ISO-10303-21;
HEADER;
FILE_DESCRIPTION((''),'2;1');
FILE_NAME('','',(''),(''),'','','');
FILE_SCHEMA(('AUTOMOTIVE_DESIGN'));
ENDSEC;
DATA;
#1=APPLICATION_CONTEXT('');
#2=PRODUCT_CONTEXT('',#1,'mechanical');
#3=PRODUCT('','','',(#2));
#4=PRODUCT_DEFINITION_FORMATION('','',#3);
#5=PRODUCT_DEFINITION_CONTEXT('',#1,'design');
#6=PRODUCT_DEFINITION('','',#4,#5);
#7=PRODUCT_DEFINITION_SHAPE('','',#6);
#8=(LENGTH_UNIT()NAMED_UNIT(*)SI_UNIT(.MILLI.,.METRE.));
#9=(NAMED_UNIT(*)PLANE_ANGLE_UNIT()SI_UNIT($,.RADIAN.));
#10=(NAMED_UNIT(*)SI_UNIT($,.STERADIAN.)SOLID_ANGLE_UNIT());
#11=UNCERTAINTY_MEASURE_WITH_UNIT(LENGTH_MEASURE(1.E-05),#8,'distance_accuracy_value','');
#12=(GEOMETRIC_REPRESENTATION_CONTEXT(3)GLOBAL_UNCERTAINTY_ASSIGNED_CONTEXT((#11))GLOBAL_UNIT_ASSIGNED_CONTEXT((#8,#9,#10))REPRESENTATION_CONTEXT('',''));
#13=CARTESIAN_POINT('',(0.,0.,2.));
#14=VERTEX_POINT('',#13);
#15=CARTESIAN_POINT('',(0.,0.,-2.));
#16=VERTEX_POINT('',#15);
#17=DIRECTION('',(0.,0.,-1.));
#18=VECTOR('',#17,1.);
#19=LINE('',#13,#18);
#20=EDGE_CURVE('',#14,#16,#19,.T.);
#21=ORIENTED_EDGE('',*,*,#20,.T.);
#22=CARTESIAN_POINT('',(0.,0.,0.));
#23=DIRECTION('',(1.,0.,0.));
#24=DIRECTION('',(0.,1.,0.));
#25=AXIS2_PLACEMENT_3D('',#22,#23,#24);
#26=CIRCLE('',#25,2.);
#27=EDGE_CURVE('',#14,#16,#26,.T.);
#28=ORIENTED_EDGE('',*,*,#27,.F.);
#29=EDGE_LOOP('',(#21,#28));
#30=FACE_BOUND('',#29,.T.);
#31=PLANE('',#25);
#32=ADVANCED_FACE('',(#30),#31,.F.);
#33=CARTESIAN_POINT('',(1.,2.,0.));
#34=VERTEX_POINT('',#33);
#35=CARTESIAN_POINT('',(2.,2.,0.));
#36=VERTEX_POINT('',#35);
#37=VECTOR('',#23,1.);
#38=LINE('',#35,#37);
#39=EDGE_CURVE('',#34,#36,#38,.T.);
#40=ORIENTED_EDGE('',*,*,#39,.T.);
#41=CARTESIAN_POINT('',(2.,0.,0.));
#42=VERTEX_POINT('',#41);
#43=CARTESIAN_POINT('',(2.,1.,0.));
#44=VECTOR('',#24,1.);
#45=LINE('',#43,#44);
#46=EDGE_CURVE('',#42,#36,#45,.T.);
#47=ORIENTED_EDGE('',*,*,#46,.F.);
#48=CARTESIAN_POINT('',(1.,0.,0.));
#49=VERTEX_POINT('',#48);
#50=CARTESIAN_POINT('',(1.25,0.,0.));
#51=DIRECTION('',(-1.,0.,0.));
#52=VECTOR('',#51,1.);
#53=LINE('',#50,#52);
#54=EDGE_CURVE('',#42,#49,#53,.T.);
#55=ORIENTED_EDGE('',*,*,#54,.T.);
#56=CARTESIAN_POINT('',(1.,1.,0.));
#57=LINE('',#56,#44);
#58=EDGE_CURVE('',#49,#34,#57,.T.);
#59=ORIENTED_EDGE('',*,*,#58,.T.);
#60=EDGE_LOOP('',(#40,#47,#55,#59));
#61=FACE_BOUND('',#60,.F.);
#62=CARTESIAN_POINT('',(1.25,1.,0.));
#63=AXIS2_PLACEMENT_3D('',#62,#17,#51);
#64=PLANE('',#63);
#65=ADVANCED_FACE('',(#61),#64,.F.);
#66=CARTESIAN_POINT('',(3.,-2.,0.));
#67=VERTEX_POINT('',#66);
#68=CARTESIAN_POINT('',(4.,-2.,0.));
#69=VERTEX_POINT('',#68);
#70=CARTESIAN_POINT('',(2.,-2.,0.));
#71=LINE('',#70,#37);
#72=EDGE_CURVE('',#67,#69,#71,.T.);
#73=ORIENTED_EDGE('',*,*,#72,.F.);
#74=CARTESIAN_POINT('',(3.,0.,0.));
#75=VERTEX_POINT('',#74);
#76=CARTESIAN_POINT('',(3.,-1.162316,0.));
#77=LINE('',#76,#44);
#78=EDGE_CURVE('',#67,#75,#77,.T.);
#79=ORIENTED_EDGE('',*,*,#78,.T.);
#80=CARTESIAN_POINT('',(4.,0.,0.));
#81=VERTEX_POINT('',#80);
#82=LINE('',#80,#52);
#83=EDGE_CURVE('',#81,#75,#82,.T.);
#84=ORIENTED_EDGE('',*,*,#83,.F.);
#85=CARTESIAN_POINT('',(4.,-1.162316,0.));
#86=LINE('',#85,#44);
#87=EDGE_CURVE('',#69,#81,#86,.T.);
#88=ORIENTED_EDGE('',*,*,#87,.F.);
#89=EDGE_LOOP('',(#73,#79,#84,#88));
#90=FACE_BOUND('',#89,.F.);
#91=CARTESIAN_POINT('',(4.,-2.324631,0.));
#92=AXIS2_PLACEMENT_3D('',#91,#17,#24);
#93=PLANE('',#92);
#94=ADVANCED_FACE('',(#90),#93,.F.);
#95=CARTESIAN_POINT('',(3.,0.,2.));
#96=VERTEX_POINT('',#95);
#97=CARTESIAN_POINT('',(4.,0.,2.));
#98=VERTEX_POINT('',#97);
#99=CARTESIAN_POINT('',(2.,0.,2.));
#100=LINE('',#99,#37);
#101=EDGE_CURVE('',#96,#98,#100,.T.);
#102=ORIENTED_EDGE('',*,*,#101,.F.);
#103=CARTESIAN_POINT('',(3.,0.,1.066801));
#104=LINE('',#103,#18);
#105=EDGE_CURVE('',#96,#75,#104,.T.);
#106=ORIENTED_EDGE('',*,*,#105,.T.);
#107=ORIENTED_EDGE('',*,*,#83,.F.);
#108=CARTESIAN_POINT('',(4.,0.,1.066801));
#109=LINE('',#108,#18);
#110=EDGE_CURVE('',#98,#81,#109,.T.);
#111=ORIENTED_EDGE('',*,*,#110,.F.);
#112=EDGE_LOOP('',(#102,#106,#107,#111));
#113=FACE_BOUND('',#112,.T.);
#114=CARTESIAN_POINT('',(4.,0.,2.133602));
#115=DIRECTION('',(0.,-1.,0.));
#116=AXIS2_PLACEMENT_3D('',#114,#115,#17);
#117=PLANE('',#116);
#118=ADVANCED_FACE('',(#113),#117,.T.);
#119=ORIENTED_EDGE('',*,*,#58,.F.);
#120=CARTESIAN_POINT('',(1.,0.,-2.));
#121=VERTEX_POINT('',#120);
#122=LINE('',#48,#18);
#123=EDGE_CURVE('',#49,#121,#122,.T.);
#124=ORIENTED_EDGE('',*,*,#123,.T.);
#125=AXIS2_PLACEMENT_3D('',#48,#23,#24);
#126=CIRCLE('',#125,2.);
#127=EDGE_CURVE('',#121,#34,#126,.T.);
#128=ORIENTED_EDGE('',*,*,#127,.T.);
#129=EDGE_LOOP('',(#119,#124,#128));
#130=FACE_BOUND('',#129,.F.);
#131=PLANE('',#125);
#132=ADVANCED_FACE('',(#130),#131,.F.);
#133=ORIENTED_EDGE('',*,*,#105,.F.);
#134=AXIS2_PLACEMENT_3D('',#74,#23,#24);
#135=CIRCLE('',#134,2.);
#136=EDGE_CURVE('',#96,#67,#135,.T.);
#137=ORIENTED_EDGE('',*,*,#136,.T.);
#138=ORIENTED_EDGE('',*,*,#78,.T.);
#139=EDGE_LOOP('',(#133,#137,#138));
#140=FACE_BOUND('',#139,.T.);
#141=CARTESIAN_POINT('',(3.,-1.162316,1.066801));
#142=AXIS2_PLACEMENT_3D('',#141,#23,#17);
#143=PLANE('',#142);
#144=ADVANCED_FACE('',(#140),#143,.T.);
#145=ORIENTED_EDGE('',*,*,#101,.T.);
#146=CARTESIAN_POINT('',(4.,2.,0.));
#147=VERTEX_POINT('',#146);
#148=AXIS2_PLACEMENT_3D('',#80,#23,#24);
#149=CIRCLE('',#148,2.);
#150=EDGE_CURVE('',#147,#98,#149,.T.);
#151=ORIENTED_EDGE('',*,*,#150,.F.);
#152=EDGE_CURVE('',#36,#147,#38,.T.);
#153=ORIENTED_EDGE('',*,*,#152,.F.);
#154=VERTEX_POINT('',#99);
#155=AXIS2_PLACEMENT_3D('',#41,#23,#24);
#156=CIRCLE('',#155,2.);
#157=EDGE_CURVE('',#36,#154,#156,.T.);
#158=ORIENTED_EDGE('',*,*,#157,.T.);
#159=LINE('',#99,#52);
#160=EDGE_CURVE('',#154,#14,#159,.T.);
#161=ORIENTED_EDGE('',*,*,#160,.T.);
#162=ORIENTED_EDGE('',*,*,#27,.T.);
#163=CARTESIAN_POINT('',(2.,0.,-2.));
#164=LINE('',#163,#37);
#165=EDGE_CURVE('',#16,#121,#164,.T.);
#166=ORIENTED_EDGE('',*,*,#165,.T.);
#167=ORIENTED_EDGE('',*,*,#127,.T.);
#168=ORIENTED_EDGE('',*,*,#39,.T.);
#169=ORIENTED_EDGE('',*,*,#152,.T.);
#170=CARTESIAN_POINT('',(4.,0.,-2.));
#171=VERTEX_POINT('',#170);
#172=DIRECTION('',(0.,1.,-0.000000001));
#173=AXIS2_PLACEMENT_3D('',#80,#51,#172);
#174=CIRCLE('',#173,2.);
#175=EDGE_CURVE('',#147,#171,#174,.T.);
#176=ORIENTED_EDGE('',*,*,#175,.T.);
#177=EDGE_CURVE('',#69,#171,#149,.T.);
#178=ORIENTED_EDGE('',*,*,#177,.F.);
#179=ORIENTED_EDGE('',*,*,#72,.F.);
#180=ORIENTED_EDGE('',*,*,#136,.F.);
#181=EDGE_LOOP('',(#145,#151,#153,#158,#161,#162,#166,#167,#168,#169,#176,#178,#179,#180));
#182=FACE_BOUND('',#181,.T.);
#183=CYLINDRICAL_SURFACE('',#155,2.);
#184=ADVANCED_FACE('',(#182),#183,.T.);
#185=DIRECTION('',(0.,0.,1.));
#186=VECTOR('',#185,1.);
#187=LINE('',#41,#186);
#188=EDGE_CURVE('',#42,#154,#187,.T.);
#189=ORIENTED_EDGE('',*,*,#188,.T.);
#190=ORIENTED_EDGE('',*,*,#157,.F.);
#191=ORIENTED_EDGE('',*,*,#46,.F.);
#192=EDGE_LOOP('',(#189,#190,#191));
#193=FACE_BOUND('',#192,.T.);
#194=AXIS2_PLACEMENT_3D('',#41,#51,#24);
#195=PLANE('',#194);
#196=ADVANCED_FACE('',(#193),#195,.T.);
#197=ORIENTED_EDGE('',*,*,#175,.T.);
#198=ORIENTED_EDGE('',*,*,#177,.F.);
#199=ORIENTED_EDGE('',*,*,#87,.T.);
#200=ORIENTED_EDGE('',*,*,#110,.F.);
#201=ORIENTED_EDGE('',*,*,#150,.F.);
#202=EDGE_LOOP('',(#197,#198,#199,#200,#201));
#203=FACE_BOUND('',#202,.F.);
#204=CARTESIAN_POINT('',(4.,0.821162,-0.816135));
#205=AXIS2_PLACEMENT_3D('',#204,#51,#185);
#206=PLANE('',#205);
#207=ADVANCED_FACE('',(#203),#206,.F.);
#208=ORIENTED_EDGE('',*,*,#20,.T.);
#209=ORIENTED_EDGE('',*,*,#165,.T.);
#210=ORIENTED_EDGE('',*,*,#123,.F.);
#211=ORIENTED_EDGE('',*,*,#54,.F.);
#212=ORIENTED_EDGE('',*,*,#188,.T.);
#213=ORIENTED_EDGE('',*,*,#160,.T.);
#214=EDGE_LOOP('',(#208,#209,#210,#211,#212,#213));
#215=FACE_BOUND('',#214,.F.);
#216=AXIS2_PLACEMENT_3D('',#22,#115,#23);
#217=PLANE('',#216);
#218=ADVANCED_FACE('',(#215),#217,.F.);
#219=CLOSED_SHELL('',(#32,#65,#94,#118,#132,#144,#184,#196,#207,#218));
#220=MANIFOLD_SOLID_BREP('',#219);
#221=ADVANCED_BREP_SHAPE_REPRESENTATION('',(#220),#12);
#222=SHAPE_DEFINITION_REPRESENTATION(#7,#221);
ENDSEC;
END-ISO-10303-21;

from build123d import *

# Parameters (mm, degrees)
SKETCH5_W           = 4
SKETCH5_H           = 2
SKETCH6_W           = 1
SKETCH6_H           = 2
CUT_EXTRUDE5_DEPTH  = 11
SKETCH8_W           = 0.5
SKETCH8_H           = 2
CUT_EXTRUDE7_DEPTH  = 10
SKETCH9_W           = 1.5
SKETCH9_H           = 2
CUT_EXTRUDE8_DEPTH  = 10
BOSS_EXTRUDE1_DEPTH = 1
SKETCH12_W          = 2.133602388
SKETCH12_H          = 2.324631101
CUT_EXTRUDE9_DEPTH  = 1


with BuildPart() as part:
    # Sketch5 → Revolve-Thin2 (revolve)
    with BuildSketch(Plane.XY):
        with Locations((2, 1)):
            Rectangle(SKETCH5_W, SKETCH5_H)
    revolve(axis=Axis((0, 0, 0), (1, 0, 0)))

    # Sketch6 → Cut-Extrude5 (cut)
    with BuildSketch(Plane.XY):
        with Locations((3.5, 1)):
            Rectangle(SKETCH6_W, SKETCH6_H)
        with Locations((0.5, 1)):
            Rectangle(SKETCH6_W, SKETCH6_H)
    extrude(amount=-CUT_EXTRUDE5_DEPTH, mode=Mode.SUBTRACT)

    # Sketch8 → Cut-Extrude7 (cut)
    with BuildSketch(Plane(origin=(0, 0, 0), x_dir=(-1, 0, 0), z_dir=(0, 0, -1))):
        with Locations((-0.25, 1)):
            Rectangle(SKETCH8_W, SKETCH8_H)
    extrude(amount=-CUT_EXTRUDE7_DEPTH, mode=Mode.SUBTRACT)

    # Sketch9 → Cut-Extrude8 (cut)
    with BuildSketch(Plane(origin=(0, 0, 0), x_dir=(-1, 0, 0), z_dir=(0, 0, -1))):
        with Locations((-1.25, 1)):
            Rectangle(SKETCH9_W, SKETCH9_H)
    extrude(amount=-CUT_EXTRUDE8_DEPTH, mode=Mode.SUBTRACT)

    # Sketch10 → Boss-Extrude1 (add)
    with BuildSketch(Plane(origin=(4, 0, 0), x_dir=(0, 0, -1), z_dir=(1, 0, 0))):
        with BuildLine():
            Line((2, 0), (-0.034977088, 0))
            Line((-0.034977088, 0), (0, 2))
            ThreePointArc((0, 2), (1.414213562, 1.414213562), (2, 0))
        make_face()
    extrude(amount=-BOSS_EXTRUDE1_DEPTH)

    # Sketch12 → Cut-Extrude9 (cut)
    with BuildSketch(Plane(origin=(4, 0, 0), x_dir=(0, 0, -1), z_dir=(1, 0, 0))):
        with Locations((-1.066801194, -1.162315551)):
            Rectangle(SKETCH12_W, SKETCH12_H)
    extrude(amount=-CUT_EXTRUDE9_DEPTH, mode=Mode.SUBTRACT)


solid = part.part
